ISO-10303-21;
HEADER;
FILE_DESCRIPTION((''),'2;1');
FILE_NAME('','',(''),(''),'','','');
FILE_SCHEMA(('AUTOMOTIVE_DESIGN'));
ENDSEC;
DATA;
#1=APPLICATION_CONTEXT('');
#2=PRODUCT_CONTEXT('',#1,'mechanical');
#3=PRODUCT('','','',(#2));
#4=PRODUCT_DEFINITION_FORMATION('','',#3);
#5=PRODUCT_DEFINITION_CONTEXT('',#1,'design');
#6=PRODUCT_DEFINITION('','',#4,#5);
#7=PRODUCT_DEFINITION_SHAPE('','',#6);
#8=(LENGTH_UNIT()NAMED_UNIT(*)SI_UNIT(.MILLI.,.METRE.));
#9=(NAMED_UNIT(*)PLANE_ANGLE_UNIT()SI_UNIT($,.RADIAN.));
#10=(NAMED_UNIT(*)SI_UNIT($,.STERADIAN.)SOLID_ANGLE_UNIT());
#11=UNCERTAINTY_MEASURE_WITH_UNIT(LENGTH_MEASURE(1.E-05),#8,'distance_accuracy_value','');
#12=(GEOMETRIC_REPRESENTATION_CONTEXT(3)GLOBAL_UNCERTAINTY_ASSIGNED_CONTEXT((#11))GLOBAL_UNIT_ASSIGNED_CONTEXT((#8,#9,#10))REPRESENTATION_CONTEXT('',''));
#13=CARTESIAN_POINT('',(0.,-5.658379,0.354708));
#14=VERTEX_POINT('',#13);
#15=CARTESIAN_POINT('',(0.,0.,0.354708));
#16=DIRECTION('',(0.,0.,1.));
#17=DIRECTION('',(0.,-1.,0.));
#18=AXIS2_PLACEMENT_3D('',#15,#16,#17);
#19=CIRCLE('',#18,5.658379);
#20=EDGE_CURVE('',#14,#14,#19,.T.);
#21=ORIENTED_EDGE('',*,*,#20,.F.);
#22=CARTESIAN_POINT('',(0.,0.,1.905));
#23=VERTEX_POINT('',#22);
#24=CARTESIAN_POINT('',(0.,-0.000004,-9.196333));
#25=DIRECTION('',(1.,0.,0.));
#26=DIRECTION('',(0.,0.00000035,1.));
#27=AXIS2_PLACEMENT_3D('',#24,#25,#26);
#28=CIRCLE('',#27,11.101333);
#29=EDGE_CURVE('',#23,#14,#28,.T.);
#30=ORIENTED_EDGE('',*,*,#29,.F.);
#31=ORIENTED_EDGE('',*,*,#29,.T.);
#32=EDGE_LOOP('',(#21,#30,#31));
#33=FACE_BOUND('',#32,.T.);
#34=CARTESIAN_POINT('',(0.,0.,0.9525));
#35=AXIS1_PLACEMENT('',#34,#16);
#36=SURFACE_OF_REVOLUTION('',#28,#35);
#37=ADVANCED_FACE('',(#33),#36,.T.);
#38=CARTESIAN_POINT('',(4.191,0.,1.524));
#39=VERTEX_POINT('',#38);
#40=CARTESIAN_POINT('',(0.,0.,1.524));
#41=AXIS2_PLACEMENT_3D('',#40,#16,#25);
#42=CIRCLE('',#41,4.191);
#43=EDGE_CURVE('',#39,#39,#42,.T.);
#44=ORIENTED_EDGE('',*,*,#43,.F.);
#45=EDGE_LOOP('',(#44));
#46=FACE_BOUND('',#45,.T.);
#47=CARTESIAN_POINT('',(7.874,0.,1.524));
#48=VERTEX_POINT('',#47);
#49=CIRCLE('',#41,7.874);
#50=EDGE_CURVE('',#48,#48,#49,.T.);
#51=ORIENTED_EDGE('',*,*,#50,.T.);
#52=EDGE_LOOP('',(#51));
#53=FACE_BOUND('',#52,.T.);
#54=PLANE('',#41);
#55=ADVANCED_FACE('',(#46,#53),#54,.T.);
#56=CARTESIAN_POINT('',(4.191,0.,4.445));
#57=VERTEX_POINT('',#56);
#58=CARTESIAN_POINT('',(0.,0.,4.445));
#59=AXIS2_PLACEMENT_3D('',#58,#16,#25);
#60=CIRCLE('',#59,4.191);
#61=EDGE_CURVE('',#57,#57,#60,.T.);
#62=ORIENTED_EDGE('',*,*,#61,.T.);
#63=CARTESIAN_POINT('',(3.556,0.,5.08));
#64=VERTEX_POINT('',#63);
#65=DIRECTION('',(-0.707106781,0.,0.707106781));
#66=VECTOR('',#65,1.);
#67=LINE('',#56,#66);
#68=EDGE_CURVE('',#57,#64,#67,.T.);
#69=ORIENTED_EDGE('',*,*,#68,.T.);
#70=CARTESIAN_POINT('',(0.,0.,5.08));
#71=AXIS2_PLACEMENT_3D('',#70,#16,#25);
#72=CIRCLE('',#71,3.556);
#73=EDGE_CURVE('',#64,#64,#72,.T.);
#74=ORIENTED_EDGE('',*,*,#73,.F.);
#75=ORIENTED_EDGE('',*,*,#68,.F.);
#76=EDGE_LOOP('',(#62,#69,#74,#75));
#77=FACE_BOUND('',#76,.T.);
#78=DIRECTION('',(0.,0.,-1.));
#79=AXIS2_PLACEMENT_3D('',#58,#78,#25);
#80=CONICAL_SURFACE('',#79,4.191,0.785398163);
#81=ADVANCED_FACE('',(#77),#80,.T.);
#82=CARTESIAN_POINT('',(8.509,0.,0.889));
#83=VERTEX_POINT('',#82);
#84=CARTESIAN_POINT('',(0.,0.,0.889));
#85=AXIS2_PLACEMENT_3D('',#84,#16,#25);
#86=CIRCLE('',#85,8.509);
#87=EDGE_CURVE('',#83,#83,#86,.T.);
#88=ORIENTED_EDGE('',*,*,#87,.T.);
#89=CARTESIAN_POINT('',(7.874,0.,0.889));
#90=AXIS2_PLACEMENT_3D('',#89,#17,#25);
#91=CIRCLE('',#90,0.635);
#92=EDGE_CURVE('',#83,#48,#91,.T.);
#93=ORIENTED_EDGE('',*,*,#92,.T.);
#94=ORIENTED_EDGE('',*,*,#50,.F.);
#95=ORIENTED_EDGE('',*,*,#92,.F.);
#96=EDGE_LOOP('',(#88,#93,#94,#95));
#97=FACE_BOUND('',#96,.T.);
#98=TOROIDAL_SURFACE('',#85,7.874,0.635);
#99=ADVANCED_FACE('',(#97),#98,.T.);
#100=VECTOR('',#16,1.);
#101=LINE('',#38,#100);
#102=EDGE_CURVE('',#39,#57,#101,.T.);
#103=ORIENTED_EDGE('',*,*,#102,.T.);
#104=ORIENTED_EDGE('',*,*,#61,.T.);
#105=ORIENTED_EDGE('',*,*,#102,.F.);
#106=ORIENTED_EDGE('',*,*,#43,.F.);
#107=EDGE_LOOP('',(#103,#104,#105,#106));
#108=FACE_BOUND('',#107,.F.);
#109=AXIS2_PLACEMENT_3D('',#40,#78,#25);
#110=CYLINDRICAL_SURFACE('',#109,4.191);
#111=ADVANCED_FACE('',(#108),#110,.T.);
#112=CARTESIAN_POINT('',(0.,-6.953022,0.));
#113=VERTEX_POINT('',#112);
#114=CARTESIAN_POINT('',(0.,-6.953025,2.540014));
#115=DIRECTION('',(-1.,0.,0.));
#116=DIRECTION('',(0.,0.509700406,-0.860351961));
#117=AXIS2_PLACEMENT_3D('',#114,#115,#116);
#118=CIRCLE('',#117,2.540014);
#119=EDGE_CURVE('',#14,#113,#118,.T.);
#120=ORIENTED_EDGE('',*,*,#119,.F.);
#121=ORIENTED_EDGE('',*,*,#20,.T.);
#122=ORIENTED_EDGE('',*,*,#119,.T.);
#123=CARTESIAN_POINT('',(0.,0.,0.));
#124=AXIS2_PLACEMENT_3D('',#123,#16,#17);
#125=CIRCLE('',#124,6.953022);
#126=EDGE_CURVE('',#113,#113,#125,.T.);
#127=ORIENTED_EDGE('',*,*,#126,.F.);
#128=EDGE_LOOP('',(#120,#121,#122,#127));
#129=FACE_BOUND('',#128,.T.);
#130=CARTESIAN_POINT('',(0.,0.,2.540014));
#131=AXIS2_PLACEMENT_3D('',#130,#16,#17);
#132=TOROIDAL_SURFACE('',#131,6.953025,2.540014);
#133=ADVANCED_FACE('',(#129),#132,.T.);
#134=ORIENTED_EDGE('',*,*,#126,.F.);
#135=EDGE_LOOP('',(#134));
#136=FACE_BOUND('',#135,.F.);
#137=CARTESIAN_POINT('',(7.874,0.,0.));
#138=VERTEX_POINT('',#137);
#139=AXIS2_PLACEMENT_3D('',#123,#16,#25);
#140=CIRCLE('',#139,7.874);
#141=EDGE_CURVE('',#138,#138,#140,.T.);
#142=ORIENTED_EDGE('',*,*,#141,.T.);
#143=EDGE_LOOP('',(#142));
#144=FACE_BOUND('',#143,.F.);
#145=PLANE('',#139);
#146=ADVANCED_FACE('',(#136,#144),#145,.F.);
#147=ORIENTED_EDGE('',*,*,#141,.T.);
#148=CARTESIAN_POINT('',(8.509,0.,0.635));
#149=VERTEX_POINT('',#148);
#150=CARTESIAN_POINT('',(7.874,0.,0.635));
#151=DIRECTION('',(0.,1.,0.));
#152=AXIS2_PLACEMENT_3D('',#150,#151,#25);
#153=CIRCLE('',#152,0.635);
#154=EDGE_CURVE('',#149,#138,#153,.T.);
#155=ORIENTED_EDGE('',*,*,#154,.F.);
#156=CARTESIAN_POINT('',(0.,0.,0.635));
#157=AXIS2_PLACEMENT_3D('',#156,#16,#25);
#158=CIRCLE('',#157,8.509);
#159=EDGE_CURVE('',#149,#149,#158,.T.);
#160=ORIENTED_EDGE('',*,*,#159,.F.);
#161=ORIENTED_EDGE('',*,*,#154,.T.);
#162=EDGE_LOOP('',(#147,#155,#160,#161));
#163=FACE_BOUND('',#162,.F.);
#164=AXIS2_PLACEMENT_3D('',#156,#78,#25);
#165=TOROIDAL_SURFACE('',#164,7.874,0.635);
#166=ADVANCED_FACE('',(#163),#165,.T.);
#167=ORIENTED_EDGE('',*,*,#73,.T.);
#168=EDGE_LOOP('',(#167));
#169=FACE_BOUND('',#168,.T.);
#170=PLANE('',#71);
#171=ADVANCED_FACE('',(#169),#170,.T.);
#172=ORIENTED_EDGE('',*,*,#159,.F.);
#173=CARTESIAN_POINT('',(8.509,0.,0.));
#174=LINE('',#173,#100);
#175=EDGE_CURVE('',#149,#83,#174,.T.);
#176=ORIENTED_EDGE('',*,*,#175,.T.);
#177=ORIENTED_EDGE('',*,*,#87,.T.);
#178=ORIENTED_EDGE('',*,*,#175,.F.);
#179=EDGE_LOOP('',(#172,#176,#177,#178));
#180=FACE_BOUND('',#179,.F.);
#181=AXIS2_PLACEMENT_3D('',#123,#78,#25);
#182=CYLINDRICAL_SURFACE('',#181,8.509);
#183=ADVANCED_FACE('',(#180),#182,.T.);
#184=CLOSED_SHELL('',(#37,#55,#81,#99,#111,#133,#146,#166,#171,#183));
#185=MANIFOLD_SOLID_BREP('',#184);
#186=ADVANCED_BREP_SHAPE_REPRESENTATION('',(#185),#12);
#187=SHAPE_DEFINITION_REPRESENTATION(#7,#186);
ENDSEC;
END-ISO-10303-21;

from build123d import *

# Parameters (mm, degrees)
F0_R     = 8.509
F1_DEPTH = 1.524
F2_R     = 4.191
F3_DEPTH = 3.556
F4_R     = 0.635
F5_SIZE  = 0.635


with BuildPart() as f1:
    # F0 (on Top) → F1 (new body)
    with BuildSketch(Plane.XY):
        Circle(F0_R)
    extrude(amount=F1_DEPTH)

    # F2 (on face) → F3 (join)
    with BuildSketch(Plane.XY.offset(1.524)):
        Circle(F2_R)
    extrude(amount=F3_DEPTH)

    # F4
    f4_edges = [f1.edges().sort_by_distance(p)[0] for p in [
        (-8.509, 0, 1.524),
        (8.509, 0, 0.762),
        (-8.509, 0, 0),
    ]]
    fillet(f4_edges, radius=F4_R)

    # F5
    f5_edges = [f1.edges().sort_by_distance(p)[0] for p in [
        (-4.191, 0, 5.08),
    ]]
    chamfer(f5_edges, length=F5_SIZE)

    # F6 (on Right) → F7 (revolve, cut)
    with BuildSketch(Plane.YZ):
        with BuildLine():
            Line((0, 0), (0, 1.905))
            ThreePointArc((0, 1.905), (-2.933456, 1.510415), (-5.658379, 0.354708))
            ThreePointArc((-5.658379, 0.354708), (-6.281844, 0.090282), (-6.953022, 0))
            Line((-6.953022, 0), (0, 0))
        make_face()
    revolve(axis=Axis((0, 0, 0.9525), (0, 0, 1)), mode=Mode.SUBTRACT)


solid = f1.part
